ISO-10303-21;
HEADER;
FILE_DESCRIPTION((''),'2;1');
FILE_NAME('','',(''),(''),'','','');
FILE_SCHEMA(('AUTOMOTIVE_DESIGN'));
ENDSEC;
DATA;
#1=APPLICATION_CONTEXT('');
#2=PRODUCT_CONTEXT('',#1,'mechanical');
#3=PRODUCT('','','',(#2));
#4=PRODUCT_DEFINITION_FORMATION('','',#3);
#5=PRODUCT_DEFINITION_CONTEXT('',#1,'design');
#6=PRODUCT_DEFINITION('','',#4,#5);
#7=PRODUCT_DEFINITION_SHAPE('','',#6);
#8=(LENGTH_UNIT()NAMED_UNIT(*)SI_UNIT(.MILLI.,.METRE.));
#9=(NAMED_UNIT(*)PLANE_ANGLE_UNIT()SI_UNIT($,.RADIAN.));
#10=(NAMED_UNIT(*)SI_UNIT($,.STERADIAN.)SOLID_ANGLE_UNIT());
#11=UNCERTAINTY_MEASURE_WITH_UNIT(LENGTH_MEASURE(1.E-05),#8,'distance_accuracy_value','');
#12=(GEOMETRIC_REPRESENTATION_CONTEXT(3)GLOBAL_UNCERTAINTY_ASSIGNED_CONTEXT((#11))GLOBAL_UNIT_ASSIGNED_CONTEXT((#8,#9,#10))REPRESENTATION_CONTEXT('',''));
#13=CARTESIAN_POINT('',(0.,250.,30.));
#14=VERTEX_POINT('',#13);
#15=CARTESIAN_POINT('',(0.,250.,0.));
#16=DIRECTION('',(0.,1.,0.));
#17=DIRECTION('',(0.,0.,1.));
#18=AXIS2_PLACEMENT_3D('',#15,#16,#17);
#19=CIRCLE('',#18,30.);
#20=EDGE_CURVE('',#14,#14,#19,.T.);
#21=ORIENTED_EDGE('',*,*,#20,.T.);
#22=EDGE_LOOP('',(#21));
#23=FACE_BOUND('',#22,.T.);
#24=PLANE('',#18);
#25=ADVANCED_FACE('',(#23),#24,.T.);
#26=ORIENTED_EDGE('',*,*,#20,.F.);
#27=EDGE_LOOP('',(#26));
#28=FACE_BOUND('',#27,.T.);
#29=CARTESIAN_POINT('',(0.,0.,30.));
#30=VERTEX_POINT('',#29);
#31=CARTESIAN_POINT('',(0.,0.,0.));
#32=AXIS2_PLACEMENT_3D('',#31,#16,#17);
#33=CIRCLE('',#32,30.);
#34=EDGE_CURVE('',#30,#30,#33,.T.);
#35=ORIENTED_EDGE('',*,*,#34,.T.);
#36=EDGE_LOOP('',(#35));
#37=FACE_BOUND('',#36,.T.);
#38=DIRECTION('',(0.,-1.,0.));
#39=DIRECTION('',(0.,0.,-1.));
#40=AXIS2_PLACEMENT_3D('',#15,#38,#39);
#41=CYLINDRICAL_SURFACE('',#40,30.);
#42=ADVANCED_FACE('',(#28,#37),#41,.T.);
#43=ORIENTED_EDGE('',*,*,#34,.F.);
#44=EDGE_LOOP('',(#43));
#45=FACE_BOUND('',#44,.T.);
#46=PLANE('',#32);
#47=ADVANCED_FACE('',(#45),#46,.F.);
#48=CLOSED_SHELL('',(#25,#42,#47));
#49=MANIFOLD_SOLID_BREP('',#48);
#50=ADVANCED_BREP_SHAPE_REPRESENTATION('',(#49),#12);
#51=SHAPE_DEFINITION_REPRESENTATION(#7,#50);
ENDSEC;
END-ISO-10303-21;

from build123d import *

# Parameters (mm, degrees)
ESBO_O1_R                = 30
RESSALTO_EXTRUS_O1_DEPTH = 250


with BuildPart() as part:
    # Esboço1 → Ressalto-extrusão1 (new body)
    with BuildSketch(Plane(origin=(0, 0, 0), x_dir=(1, 0, 0), z_dir=(0, 1, 0))):
        with Locations(Location((0, 0, 0), (0, 0, 270))):
            Circle(ESBO_O1_R)
    extrude(amount=RESSALTO_EXTRUS_O1_DEPTH)


solid = part.part
